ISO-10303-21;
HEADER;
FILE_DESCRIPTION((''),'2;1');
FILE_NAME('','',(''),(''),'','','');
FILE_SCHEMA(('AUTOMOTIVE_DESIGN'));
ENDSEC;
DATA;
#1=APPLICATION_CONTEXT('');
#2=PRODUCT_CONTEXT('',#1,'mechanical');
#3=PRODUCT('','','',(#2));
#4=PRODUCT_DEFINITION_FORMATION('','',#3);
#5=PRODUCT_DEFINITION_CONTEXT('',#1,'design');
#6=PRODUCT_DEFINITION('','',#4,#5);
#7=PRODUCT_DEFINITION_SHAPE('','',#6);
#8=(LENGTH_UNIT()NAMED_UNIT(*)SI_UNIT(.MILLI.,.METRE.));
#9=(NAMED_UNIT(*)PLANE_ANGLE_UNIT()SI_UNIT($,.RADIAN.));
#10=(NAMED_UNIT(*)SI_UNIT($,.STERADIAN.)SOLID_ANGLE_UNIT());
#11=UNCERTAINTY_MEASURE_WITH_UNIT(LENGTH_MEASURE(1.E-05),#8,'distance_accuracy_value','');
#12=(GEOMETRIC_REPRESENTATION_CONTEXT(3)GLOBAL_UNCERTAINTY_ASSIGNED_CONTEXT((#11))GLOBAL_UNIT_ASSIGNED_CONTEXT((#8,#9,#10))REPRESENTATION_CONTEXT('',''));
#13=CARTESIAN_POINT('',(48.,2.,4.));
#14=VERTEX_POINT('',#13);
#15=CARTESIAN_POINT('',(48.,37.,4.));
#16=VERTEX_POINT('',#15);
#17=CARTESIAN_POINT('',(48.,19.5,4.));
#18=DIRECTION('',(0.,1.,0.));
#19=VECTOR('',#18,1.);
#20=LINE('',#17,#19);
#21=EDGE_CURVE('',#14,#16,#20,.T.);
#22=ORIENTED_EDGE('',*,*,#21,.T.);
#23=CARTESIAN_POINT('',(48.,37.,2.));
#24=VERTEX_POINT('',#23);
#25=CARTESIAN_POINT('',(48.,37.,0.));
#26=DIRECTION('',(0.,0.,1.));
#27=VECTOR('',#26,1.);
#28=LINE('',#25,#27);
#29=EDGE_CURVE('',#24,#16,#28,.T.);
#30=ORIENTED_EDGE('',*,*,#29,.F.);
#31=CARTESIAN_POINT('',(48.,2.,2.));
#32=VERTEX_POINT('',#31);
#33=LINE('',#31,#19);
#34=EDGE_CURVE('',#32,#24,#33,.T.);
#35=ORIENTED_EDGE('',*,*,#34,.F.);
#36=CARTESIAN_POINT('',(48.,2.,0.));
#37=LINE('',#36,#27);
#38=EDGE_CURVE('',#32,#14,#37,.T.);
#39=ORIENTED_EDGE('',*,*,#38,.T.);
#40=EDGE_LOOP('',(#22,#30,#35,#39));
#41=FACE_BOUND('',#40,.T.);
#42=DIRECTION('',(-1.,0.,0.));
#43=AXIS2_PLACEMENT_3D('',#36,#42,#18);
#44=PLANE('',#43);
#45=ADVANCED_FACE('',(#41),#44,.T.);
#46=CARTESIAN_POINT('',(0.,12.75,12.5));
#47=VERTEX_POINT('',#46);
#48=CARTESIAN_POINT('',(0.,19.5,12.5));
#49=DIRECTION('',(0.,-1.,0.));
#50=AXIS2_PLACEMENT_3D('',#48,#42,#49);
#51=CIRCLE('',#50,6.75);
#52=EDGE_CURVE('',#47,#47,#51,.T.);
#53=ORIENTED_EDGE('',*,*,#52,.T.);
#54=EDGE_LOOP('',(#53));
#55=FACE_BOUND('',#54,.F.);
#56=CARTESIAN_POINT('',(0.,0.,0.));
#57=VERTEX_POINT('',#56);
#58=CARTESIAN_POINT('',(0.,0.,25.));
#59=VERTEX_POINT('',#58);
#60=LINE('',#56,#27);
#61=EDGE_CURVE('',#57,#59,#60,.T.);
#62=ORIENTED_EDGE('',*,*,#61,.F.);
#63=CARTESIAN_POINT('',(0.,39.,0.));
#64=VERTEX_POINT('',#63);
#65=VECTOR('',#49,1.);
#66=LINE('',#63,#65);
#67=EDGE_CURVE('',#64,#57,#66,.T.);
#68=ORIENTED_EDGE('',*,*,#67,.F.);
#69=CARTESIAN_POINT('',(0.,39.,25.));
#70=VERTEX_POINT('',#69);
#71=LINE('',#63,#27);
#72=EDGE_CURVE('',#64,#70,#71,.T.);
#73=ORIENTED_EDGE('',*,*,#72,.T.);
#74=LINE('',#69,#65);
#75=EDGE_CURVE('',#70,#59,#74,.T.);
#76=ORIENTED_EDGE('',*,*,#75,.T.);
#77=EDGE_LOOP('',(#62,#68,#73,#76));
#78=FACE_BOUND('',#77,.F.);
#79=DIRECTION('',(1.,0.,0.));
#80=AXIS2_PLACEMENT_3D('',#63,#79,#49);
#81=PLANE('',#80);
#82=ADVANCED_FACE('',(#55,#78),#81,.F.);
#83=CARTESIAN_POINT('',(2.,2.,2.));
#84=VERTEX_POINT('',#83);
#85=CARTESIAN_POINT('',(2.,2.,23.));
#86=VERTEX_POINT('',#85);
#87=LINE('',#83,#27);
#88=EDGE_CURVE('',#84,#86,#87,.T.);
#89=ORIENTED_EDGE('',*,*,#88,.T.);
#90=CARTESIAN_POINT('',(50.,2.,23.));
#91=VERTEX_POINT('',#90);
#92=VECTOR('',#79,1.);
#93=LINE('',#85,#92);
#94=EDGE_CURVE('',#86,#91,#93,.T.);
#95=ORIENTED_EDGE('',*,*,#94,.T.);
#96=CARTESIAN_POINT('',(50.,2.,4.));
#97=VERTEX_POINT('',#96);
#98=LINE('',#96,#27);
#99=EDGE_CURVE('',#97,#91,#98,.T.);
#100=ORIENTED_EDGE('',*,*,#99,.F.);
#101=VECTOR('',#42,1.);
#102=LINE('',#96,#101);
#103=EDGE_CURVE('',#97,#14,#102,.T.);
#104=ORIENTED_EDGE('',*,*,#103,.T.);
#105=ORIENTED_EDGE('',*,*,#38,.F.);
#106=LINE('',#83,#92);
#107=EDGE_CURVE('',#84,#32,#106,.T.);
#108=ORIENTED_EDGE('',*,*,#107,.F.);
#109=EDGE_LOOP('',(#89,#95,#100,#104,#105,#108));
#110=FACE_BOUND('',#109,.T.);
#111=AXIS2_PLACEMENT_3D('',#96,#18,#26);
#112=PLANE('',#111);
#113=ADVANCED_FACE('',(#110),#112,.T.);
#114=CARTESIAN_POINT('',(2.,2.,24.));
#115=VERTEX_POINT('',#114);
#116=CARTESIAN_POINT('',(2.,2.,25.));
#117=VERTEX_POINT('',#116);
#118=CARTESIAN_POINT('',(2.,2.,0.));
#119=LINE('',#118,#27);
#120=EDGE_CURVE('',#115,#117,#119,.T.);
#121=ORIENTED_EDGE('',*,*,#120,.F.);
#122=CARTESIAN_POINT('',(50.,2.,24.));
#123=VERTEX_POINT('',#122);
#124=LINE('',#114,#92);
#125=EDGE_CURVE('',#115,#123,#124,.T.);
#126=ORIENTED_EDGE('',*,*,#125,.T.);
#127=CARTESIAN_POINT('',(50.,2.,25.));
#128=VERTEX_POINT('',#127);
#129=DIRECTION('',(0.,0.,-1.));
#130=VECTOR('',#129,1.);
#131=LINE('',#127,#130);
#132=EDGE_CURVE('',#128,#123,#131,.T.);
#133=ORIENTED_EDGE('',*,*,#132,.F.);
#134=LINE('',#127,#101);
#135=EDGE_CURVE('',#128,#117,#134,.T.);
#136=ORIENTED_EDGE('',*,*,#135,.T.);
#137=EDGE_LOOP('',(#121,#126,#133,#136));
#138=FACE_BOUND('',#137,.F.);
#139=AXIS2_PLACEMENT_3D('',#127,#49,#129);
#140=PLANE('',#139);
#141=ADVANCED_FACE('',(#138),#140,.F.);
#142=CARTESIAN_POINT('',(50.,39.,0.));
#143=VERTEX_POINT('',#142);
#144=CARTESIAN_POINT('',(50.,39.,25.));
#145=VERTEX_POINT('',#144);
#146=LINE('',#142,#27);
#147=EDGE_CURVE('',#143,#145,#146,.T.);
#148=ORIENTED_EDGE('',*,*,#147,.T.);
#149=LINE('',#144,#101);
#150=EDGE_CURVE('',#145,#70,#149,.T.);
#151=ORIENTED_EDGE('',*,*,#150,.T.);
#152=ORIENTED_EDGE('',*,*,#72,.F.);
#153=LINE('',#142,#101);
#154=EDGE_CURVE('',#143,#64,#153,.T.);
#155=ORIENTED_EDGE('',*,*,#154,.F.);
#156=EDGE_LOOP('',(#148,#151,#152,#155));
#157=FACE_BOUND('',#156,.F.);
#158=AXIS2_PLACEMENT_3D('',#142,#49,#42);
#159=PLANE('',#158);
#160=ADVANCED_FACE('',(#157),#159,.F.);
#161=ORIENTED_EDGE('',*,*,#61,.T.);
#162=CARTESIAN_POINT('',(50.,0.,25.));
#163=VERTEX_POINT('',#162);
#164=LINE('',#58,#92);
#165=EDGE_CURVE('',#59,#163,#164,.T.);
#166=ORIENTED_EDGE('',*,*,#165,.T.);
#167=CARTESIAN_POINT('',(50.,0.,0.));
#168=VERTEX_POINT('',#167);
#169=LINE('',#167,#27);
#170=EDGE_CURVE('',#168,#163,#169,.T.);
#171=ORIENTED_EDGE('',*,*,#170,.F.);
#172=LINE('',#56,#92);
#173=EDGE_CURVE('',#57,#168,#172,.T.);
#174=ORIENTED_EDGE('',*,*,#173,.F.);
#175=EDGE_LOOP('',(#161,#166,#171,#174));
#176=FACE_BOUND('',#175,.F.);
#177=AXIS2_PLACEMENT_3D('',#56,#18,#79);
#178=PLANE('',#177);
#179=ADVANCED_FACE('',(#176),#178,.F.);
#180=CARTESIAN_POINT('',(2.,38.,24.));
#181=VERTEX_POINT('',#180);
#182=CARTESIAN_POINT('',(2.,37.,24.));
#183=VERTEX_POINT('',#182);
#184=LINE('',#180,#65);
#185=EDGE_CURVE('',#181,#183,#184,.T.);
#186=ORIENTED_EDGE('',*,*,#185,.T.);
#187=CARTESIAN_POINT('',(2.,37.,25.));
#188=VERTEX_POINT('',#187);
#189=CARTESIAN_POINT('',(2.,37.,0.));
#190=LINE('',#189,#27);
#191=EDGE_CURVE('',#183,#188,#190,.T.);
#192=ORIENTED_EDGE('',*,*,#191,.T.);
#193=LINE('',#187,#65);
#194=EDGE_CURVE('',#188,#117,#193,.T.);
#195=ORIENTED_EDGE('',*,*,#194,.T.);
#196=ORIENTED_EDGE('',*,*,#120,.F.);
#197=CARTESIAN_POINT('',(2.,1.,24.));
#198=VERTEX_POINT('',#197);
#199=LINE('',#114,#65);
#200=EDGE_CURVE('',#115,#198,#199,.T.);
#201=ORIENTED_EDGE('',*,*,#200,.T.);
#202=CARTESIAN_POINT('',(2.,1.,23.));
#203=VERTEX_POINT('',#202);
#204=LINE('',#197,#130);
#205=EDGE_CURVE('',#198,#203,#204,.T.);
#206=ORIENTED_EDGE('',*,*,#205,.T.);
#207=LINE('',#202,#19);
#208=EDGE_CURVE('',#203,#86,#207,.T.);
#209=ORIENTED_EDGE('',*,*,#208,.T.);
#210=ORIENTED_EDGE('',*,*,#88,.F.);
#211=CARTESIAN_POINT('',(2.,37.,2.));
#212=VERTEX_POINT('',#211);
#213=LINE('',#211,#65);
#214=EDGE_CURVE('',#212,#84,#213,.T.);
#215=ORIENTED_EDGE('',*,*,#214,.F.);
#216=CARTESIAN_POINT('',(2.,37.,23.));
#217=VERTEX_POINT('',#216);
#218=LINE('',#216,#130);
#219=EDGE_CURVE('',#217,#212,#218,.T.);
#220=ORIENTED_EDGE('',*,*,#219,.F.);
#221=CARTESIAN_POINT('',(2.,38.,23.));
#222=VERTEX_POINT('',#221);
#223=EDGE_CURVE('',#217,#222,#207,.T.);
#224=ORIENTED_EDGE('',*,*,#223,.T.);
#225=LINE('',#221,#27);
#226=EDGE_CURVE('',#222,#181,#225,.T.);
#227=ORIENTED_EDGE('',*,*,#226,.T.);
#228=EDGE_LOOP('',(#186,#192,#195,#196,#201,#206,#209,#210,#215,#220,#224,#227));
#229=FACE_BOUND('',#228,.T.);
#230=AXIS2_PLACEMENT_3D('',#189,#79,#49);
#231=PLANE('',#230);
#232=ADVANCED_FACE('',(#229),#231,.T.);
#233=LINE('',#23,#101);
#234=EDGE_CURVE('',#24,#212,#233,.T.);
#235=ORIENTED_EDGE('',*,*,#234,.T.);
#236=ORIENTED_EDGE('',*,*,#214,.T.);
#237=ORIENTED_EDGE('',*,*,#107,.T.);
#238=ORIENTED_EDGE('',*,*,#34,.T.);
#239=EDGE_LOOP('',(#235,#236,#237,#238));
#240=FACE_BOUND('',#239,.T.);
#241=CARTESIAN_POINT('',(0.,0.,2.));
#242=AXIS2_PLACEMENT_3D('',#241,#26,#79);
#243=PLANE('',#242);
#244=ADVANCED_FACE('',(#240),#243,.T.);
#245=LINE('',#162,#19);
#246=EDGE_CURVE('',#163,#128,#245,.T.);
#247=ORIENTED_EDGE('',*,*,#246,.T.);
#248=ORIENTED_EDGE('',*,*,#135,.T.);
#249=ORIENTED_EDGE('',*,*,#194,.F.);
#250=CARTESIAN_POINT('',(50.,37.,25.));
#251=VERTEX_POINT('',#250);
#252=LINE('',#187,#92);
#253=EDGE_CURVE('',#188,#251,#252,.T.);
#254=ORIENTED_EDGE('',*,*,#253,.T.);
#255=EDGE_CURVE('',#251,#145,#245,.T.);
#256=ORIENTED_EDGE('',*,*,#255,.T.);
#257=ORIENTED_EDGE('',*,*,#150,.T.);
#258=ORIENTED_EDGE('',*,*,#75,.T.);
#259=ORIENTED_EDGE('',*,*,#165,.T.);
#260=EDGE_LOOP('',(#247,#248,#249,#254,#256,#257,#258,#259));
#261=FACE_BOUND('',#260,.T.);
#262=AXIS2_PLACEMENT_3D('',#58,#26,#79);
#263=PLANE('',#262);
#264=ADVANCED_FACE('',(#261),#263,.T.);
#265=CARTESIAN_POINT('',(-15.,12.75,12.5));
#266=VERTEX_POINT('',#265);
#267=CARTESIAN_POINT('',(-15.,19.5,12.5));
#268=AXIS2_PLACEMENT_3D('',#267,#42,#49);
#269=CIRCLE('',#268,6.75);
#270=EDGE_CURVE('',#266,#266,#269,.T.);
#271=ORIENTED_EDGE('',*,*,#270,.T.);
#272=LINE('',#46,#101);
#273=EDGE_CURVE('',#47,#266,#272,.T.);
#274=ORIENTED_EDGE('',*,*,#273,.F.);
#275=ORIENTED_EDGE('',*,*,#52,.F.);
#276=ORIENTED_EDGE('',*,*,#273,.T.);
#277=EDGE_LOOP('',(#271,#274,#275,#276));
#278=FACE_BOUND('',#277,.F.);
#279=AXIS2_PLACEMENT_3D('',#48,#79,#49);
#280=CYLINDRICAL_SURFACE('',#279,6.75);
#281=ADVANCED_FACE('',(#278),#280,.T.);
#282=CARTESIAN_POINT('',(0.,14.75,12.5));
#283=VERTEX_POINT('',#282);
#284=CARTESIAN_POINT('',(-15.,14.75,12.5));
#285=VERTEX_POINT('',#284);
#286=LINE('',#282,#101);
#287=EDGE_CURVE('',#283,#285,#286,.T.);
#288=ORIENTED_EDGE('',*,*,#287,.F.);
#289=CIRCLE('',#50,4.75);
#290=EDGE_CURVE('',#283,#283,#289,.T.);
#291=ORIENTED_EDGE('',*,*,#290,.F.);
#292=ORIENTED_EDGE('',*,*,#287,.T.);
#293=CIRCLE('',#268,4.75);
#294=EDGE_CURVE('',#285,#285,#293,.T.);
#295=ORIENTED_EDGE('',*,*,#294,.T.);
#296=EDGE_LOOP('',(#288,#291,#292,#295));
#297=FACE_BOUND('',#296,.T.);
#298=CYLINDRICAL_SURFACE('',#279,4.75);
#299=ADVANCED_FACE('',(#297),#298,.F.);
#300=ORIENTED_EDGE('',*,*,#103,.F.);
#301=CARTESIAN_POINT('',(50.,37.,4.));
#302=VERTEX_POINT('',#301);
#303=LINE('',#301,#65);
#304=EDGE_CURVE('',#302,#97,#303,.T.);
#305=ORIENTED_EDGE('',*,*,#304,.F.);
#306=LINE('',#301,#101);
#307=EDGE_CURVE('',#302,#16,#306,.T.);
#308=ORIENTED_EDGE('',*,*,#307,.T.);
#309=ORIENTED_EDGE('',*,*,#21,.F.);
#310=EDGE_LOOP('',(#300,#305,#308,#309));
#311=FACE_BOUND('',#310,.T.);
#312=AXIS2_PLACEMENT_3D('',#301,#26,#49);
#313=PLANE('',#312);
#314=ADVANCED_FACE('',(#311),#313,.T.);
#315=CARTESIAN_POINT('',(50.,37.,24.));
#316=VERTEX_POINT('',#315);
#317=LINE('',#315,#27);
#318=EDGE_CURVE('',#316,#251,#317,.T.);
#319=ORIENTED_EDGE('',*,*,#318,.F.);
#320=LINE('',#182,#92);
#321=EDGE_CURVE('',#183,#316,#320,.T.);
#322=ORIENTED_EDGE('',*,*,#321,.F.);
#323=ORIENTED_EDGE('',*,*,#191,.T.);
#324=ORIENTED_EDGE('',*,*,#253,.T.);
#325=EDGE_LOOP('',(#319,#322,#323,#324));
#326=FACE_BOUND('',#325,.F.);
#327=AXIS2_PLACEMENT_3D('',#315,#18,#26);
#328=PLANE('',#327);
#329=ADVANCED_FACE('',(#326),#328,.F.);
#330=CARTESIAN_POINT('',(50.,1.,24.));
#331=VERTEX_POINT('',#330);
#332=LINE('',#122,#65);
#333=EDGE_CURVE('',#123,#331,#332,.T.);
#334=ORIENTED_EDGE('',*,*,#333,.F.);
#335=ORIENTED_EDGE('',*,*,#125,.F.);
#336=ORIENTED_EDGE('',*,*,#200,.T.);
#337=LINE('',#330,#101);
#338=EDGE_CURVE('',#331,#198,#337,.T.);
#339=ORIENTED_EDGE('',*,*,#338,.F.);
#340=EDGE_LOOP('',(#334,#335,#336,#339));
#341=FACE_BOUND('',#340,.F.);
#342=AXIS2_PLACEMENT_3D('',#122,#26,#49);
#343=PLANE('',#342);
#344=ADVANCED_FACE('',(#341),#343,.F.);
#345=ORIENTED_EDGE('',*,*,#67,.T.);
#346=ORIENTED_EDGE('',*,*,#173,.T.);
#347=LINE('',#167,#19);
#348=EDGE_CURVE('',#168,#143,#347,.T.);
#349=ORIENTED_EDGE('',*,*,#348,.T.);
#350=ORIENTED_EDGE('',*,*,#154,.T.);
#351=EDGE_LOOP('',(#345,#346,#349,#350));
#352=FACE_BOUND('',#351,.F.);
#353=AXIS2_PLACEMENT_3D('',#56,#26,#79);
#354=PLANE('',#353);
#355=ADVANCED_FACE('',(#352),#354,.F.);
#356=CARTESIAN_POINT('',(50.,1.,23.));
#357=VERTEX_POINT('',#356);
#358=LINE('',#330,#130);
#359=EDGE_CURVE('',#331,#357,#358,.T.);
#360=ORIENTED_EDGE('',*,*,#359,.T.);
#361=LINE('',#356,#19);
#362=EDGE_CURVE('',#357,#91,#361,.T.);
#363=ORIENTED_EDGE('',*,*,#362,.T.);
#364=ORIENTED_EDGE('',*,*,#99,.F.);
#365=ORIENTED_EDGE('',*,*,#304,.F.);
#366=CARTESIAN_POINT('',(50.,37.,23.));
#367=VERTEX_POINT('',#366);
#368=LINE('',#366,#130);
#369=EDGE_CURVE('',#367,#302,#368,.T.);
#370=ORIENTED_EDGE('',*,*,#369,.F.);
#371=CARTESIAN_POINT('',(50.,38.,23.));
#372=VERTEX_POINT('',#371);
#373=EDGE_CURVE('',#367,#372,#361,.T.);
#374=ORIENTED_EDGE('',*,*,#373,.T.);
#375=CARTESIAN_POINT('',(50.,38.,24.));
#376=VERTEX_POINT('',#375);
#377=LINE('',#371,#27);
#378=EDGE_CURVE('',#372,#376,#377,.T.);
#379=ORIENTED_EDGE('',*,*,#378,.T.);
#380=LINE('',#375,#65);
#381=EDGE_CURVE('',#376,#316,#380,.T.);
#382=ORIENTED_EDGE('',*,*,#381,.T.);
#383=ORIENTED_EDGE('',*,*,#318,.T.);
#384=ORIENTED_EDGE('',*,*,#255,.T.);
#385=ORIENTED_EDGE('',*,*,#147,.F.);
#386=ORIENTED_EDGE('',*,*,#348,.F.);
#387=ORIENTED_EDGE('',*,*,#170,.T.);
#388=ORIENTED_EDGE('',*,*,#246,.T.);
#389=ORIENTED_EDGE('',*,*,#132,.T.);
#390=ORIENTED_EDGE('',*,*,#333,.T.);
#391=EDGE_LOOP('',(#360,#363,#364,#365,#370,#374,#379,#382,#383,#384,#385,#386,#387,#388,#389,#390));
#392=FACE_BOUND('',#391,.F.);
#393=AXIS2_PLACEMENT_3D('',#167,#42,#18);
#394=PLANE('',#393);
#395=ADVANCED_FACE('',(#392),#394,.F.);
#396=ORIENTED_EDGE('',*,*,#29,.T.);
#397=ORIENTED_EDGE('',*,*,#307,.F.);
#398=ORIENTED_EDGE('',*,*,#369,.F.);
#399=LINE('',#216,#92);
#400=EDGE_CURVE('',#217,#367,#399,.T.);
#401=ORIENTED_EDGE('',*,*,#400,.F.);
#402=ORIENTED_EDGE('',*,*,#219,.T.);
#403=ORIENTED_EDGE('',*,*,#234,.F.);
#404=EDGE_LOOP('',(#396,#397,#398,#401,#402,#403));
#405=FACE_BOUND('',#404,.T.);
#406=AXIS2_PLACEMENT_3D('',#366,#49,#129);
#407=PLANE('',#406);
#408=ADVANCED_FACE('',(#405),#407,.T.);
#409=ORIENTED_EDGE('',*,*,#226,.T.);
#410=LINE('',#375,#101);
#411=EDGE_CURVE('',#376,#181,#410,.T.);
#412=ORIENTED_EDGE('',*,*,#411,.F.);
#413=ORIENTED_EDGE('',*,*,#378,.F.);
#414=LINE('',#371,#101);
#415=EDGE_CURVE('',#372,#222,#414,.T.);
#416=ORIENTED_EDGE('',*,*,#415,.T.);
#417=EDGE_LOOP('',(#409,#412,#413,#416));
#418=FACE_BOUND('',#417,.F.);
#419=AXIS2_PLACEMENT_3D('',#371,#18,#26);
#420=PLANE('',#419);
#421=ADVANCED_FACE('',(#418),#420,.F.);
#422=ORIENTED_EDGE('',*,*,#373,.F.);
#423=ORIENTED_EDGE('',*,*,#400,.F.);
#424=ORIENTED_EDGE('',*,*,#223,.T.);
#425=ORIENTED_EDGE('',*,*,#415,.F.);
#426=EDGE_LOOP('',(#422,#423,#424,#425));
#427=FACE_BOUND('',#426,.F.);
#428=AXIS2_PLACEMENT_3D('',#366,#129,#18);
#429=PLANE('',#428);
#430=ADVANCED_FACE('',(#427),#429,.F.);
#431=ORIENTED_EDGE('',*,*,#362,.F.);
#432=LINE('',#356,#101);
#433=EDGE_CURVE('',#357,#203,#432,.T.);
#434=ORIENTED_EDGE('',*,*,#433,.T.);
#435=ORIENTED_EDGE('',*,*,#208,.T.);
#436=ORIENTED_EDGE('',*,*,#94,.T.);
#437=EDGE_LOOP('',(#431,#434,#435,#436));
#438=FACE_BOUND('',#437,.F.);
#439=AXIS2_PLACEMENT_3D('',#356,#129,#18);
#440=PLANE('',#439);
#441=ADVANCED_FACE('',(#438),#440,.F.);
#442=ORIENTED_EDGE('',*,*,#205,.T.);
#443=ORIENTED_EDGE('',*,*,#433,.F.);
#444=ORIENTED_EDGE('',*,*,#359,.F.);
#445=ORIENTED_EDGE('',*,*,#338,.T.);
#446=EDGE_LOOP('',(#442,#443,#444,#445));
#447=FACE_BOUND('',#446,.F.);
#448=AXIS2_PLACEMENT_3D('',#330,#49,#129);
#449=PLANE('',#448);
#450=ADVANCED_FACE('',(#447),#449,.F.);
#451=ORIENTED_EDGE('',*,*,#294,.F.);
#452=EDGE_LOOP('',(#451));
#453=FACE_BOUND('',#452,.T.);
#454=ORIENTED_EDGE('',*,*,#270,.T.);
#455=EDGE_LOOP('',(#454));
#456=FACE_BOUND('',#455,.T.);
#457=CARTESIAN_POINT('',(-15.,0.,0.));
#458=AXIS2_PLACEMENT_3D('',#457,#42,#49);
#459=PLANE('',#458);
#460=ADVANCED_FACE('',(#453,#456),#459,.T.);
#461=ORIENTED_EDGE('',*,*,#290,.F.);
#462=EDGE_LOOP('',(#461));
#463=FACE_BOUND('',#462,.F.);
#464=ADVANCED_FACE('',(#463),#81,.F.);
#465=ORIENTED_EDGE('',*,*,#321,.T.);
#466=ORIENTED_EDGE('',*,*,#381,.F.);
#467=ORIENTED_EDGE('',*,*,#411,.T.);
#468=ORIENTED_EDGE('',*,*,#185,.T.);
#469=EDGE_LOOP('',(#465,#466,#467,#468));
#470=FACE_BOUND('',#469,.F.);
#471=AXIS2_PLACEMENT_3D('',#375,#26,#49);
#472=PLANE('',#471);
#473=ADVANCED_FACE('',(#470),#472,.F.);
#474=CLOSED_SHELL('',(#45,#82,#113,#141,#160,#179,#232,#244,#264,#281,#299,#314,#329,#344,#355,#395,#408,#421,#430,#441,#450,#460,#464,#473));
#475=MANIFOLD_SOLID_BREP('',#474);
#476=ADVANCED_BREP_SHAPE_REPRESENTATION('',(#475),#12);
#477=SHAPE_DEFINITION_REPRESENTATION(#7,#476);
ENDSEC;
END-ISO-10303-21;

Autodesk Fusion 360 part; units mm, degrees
sketch "Sketch1" plane through (0, 0, 0) normal (0, 0, 1) x (1, 0, 0)
  line L0 (0, 0) -> (50, 0)
  line L1 (50, 0) -> (50, 39)
  line L2 (50, 39) -> (0, 39)
  line L3 (0, 39) -> (0, 0)
  line L4 (2, 2) -> (48, 2)
  line L5 (48, 2) -> (48, 37)
  line L6 (48, 37) -> (2, 37)
  line L7 (2, 37) -> (2, 2)
  dimension "d1" = 46
  dimension "d2" = 2
  dimension "d3" = 2
  dimension "d4" = 2
  dimension "d5" = 2
  dimension "d6" = 35
extrude "Extrude1" add sketch "Sketch1" along normal blind 2 contours L4 L5 L6 L7
extrude "Extrude2" add sketch "Sketch1" along normal blind 25
sketch "Sketch2" plane through (50, 0, 0) normal (1, 0, 0) x (0, 1, 0)
  line L0 (0, 0) -> (39, 0)
  line L1 (39, 0) -> (39, 25)
  line L2 (39, 25) -> (0, 25)
  line L3 (0, 25) -> (0, 0)
  line L4 (2, 25) -> (2, 24)
  line L5 (2, 24) -> (1, 24)
  line L6 (1, 24) -> (1, 23)
  line L7 (1, 23) -> (38, 23)
  line L8 (38, 23) -> (38, 24)
  line L9 (38, 24) -> (37, 24)
  line L10 (37, 24) -> (37, 25)
  line L11 (2, 23) -> (37, 23)
  line L12 (37, 23) -> (37, 4)
  line L13 (37, 4) -> (2, 4)
  line L14 (2, 4) -> (2, 23)
  dimension "d11" = 1
  dimension "d12" = 1
  dimension "d13" = 1
  dimension "d14" = 1
  dimension "d15" = 1
  dimension "d16" = 1
  dimension "d17" = 1
  dimension "d18" = 19
extrude "Extrude3" cut sketch "Sketch2" against normal up to surface (48 mm away) contours L2 L4 L5 L6 L7 L8 L9 L10 L11 | L7 L11 L12 L13 L14
sketch "Sketch3" plane through (0, 0, 0) normal (-1, 0, 0) x (0, -1, 0)
  line L0 (-39, 0) -> (0, 0)
  line L1 (0, 0) -> (0, 25)
  line L2 (0, 25) -> (-39, 25)
  line L3 (-39, 25) -> (-39, 0)
  circle A0 centre (-19.5, 12.5) radius 6.75
  circle A1 centre (-19.5, 12.5) radius 4.75
  point P0 (-19.5, 25)
  point P1 (0, 12.5)
  dimension "d21" = 2
  dimension "d22" = 9.5
extrude "Extrude4" add sketch "Sketch3" along normal blind 15 contours A0
